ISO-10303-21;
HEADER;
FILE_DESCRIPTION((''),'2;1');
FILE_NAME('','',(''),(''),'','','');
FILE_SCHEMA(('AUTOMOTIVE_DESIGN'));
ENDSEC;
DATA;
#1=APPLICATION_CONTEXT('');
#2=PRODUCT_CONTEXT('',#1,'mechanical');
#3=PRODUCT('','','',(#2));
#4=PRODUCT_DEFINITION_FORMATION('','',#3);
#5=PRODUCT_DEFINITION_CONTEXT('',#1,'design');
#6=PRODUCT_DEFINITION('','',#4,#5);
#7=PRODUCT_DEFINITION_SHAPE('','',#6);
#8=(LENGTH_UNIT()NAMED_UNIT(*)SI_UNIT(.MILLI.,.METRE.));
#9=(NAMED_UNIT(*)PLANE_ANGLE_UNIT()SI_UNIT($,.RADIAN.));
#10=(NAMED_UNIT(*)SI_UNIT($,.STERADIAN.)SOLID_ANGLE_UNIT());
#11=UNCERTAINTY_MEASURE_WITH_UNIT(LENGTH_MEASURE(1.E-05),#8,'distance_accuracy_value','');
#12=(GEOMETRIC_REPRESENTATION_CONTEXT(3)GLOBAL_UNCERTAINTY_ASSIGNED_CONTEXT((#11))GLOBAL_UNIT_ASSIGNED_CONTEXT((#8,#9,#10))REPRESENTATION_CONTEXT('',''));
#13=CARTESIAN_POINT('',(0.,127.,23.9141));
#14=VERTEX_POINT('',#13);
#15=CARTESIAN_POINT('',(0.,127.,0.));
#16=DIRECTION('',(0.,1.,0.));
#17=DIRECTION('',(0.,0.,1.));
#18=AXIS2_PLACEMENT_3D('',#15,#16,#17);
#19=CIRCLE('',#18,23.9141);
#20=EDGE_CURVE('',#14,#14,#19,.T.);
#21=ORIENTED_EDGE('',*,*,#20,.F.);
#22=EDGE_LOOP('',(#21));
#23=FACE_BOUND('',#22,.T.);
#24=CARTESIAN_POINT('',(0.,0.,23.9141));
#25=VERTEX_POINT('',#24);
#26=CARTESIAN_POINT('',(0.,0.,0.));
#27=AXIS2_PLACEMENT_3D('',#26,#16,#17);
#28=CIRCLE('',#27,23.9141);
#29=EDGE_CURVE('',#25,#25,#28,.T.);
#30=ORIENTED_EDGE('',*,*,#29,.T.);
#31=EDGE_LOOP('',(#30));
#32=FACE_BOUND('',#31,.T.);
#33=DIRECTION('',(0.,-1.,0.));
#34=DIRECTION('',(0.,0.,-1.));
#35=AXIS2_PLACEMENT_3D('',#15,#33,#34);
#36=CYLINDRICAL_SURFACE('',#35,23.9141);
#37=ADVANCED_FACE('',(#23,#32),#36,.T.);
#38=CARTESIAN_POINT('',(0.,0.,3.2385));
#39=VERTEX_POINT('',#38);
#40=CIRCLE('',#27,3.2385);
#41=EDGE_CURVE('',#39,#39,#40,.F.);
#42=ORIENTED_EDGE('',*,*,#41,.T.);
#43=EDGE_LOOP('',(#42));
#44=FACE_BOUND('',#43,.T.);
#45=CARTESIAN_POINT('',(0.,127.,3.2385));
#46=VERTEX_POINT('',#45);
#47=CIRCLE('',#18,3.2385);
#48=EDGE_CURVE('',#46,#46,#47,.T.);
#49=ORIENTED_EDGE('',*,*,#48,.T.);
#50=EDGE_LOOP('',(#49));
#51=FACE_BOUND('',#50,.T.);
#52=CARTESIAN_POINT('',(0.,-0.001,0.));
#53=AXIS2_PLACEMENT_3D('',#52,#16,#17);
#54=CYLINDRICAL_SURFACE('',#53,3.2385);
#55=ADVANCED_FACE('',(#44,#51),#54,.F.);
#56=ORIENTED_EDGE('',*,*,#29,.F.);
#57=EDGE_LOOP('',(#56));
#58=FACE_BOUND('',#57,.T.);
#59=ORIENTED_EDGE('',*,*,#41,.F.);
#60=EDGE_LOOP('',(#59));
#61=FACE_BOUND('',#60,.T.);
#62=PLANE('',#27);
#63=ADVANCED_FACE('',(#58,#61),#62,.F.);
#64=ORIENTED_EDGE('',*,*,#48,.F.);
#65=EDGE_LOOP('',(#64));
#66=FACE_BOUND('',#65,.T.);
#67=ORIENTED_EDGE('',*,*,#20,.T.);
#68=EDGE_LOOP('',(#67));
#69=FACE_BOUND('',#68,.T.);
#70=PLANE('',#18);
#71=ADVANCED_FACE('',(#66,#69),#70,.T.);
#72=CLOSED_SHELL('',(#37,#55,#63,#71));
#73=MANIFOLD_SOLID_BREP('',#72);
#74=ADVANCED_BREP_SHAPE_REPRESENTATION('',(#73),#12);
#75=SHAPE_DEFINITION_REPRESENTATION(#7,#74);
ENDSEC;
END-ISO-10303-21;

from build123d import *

# Parameters (mm, degrees)
SKETCH1_R           = 23.9141
BOSS_EXTRUDE1_DEPTH = 127
CUT_EXTRUDE1_REACH  = 129
SKETCH2_R           = 3.2385


with BuildPart() as part:
    # Sketch1 → Boss-Extrude1 (new body)
    with BuildSketch(Plane(origin=(0, 0, 0), x_dir=(1, 0, 0), z_dir=(0, 1, 0))):
        Circle(SKETCH1_R)
    extrude(amount=BOSS_EXTRUDE1_DEPTH)

    # Sketch2 → Cut-Extrude1 (cut, up to next)
    with BuildSketch(Plane(origin=(0, 127, 0), x_dir=(1, 0, 0), z_dir=(0, 1, 0)), mode=Mode.PRIVATE) as cut_extrude1_sk1:
        Circle(SKETCH2_R)
    cut_extrude1_tool1 = extrude(cut_extrude1_sk1.sketch, amount=-CUT_EXTRUDE1_REACH, mode=Mode.PRIVATE) & part.part
    add(cut_extrude1_tool1.solids().sort_by_distance((0, 127, 0))[0], mode=Mode.SUBTRACT)


solid = part.part
